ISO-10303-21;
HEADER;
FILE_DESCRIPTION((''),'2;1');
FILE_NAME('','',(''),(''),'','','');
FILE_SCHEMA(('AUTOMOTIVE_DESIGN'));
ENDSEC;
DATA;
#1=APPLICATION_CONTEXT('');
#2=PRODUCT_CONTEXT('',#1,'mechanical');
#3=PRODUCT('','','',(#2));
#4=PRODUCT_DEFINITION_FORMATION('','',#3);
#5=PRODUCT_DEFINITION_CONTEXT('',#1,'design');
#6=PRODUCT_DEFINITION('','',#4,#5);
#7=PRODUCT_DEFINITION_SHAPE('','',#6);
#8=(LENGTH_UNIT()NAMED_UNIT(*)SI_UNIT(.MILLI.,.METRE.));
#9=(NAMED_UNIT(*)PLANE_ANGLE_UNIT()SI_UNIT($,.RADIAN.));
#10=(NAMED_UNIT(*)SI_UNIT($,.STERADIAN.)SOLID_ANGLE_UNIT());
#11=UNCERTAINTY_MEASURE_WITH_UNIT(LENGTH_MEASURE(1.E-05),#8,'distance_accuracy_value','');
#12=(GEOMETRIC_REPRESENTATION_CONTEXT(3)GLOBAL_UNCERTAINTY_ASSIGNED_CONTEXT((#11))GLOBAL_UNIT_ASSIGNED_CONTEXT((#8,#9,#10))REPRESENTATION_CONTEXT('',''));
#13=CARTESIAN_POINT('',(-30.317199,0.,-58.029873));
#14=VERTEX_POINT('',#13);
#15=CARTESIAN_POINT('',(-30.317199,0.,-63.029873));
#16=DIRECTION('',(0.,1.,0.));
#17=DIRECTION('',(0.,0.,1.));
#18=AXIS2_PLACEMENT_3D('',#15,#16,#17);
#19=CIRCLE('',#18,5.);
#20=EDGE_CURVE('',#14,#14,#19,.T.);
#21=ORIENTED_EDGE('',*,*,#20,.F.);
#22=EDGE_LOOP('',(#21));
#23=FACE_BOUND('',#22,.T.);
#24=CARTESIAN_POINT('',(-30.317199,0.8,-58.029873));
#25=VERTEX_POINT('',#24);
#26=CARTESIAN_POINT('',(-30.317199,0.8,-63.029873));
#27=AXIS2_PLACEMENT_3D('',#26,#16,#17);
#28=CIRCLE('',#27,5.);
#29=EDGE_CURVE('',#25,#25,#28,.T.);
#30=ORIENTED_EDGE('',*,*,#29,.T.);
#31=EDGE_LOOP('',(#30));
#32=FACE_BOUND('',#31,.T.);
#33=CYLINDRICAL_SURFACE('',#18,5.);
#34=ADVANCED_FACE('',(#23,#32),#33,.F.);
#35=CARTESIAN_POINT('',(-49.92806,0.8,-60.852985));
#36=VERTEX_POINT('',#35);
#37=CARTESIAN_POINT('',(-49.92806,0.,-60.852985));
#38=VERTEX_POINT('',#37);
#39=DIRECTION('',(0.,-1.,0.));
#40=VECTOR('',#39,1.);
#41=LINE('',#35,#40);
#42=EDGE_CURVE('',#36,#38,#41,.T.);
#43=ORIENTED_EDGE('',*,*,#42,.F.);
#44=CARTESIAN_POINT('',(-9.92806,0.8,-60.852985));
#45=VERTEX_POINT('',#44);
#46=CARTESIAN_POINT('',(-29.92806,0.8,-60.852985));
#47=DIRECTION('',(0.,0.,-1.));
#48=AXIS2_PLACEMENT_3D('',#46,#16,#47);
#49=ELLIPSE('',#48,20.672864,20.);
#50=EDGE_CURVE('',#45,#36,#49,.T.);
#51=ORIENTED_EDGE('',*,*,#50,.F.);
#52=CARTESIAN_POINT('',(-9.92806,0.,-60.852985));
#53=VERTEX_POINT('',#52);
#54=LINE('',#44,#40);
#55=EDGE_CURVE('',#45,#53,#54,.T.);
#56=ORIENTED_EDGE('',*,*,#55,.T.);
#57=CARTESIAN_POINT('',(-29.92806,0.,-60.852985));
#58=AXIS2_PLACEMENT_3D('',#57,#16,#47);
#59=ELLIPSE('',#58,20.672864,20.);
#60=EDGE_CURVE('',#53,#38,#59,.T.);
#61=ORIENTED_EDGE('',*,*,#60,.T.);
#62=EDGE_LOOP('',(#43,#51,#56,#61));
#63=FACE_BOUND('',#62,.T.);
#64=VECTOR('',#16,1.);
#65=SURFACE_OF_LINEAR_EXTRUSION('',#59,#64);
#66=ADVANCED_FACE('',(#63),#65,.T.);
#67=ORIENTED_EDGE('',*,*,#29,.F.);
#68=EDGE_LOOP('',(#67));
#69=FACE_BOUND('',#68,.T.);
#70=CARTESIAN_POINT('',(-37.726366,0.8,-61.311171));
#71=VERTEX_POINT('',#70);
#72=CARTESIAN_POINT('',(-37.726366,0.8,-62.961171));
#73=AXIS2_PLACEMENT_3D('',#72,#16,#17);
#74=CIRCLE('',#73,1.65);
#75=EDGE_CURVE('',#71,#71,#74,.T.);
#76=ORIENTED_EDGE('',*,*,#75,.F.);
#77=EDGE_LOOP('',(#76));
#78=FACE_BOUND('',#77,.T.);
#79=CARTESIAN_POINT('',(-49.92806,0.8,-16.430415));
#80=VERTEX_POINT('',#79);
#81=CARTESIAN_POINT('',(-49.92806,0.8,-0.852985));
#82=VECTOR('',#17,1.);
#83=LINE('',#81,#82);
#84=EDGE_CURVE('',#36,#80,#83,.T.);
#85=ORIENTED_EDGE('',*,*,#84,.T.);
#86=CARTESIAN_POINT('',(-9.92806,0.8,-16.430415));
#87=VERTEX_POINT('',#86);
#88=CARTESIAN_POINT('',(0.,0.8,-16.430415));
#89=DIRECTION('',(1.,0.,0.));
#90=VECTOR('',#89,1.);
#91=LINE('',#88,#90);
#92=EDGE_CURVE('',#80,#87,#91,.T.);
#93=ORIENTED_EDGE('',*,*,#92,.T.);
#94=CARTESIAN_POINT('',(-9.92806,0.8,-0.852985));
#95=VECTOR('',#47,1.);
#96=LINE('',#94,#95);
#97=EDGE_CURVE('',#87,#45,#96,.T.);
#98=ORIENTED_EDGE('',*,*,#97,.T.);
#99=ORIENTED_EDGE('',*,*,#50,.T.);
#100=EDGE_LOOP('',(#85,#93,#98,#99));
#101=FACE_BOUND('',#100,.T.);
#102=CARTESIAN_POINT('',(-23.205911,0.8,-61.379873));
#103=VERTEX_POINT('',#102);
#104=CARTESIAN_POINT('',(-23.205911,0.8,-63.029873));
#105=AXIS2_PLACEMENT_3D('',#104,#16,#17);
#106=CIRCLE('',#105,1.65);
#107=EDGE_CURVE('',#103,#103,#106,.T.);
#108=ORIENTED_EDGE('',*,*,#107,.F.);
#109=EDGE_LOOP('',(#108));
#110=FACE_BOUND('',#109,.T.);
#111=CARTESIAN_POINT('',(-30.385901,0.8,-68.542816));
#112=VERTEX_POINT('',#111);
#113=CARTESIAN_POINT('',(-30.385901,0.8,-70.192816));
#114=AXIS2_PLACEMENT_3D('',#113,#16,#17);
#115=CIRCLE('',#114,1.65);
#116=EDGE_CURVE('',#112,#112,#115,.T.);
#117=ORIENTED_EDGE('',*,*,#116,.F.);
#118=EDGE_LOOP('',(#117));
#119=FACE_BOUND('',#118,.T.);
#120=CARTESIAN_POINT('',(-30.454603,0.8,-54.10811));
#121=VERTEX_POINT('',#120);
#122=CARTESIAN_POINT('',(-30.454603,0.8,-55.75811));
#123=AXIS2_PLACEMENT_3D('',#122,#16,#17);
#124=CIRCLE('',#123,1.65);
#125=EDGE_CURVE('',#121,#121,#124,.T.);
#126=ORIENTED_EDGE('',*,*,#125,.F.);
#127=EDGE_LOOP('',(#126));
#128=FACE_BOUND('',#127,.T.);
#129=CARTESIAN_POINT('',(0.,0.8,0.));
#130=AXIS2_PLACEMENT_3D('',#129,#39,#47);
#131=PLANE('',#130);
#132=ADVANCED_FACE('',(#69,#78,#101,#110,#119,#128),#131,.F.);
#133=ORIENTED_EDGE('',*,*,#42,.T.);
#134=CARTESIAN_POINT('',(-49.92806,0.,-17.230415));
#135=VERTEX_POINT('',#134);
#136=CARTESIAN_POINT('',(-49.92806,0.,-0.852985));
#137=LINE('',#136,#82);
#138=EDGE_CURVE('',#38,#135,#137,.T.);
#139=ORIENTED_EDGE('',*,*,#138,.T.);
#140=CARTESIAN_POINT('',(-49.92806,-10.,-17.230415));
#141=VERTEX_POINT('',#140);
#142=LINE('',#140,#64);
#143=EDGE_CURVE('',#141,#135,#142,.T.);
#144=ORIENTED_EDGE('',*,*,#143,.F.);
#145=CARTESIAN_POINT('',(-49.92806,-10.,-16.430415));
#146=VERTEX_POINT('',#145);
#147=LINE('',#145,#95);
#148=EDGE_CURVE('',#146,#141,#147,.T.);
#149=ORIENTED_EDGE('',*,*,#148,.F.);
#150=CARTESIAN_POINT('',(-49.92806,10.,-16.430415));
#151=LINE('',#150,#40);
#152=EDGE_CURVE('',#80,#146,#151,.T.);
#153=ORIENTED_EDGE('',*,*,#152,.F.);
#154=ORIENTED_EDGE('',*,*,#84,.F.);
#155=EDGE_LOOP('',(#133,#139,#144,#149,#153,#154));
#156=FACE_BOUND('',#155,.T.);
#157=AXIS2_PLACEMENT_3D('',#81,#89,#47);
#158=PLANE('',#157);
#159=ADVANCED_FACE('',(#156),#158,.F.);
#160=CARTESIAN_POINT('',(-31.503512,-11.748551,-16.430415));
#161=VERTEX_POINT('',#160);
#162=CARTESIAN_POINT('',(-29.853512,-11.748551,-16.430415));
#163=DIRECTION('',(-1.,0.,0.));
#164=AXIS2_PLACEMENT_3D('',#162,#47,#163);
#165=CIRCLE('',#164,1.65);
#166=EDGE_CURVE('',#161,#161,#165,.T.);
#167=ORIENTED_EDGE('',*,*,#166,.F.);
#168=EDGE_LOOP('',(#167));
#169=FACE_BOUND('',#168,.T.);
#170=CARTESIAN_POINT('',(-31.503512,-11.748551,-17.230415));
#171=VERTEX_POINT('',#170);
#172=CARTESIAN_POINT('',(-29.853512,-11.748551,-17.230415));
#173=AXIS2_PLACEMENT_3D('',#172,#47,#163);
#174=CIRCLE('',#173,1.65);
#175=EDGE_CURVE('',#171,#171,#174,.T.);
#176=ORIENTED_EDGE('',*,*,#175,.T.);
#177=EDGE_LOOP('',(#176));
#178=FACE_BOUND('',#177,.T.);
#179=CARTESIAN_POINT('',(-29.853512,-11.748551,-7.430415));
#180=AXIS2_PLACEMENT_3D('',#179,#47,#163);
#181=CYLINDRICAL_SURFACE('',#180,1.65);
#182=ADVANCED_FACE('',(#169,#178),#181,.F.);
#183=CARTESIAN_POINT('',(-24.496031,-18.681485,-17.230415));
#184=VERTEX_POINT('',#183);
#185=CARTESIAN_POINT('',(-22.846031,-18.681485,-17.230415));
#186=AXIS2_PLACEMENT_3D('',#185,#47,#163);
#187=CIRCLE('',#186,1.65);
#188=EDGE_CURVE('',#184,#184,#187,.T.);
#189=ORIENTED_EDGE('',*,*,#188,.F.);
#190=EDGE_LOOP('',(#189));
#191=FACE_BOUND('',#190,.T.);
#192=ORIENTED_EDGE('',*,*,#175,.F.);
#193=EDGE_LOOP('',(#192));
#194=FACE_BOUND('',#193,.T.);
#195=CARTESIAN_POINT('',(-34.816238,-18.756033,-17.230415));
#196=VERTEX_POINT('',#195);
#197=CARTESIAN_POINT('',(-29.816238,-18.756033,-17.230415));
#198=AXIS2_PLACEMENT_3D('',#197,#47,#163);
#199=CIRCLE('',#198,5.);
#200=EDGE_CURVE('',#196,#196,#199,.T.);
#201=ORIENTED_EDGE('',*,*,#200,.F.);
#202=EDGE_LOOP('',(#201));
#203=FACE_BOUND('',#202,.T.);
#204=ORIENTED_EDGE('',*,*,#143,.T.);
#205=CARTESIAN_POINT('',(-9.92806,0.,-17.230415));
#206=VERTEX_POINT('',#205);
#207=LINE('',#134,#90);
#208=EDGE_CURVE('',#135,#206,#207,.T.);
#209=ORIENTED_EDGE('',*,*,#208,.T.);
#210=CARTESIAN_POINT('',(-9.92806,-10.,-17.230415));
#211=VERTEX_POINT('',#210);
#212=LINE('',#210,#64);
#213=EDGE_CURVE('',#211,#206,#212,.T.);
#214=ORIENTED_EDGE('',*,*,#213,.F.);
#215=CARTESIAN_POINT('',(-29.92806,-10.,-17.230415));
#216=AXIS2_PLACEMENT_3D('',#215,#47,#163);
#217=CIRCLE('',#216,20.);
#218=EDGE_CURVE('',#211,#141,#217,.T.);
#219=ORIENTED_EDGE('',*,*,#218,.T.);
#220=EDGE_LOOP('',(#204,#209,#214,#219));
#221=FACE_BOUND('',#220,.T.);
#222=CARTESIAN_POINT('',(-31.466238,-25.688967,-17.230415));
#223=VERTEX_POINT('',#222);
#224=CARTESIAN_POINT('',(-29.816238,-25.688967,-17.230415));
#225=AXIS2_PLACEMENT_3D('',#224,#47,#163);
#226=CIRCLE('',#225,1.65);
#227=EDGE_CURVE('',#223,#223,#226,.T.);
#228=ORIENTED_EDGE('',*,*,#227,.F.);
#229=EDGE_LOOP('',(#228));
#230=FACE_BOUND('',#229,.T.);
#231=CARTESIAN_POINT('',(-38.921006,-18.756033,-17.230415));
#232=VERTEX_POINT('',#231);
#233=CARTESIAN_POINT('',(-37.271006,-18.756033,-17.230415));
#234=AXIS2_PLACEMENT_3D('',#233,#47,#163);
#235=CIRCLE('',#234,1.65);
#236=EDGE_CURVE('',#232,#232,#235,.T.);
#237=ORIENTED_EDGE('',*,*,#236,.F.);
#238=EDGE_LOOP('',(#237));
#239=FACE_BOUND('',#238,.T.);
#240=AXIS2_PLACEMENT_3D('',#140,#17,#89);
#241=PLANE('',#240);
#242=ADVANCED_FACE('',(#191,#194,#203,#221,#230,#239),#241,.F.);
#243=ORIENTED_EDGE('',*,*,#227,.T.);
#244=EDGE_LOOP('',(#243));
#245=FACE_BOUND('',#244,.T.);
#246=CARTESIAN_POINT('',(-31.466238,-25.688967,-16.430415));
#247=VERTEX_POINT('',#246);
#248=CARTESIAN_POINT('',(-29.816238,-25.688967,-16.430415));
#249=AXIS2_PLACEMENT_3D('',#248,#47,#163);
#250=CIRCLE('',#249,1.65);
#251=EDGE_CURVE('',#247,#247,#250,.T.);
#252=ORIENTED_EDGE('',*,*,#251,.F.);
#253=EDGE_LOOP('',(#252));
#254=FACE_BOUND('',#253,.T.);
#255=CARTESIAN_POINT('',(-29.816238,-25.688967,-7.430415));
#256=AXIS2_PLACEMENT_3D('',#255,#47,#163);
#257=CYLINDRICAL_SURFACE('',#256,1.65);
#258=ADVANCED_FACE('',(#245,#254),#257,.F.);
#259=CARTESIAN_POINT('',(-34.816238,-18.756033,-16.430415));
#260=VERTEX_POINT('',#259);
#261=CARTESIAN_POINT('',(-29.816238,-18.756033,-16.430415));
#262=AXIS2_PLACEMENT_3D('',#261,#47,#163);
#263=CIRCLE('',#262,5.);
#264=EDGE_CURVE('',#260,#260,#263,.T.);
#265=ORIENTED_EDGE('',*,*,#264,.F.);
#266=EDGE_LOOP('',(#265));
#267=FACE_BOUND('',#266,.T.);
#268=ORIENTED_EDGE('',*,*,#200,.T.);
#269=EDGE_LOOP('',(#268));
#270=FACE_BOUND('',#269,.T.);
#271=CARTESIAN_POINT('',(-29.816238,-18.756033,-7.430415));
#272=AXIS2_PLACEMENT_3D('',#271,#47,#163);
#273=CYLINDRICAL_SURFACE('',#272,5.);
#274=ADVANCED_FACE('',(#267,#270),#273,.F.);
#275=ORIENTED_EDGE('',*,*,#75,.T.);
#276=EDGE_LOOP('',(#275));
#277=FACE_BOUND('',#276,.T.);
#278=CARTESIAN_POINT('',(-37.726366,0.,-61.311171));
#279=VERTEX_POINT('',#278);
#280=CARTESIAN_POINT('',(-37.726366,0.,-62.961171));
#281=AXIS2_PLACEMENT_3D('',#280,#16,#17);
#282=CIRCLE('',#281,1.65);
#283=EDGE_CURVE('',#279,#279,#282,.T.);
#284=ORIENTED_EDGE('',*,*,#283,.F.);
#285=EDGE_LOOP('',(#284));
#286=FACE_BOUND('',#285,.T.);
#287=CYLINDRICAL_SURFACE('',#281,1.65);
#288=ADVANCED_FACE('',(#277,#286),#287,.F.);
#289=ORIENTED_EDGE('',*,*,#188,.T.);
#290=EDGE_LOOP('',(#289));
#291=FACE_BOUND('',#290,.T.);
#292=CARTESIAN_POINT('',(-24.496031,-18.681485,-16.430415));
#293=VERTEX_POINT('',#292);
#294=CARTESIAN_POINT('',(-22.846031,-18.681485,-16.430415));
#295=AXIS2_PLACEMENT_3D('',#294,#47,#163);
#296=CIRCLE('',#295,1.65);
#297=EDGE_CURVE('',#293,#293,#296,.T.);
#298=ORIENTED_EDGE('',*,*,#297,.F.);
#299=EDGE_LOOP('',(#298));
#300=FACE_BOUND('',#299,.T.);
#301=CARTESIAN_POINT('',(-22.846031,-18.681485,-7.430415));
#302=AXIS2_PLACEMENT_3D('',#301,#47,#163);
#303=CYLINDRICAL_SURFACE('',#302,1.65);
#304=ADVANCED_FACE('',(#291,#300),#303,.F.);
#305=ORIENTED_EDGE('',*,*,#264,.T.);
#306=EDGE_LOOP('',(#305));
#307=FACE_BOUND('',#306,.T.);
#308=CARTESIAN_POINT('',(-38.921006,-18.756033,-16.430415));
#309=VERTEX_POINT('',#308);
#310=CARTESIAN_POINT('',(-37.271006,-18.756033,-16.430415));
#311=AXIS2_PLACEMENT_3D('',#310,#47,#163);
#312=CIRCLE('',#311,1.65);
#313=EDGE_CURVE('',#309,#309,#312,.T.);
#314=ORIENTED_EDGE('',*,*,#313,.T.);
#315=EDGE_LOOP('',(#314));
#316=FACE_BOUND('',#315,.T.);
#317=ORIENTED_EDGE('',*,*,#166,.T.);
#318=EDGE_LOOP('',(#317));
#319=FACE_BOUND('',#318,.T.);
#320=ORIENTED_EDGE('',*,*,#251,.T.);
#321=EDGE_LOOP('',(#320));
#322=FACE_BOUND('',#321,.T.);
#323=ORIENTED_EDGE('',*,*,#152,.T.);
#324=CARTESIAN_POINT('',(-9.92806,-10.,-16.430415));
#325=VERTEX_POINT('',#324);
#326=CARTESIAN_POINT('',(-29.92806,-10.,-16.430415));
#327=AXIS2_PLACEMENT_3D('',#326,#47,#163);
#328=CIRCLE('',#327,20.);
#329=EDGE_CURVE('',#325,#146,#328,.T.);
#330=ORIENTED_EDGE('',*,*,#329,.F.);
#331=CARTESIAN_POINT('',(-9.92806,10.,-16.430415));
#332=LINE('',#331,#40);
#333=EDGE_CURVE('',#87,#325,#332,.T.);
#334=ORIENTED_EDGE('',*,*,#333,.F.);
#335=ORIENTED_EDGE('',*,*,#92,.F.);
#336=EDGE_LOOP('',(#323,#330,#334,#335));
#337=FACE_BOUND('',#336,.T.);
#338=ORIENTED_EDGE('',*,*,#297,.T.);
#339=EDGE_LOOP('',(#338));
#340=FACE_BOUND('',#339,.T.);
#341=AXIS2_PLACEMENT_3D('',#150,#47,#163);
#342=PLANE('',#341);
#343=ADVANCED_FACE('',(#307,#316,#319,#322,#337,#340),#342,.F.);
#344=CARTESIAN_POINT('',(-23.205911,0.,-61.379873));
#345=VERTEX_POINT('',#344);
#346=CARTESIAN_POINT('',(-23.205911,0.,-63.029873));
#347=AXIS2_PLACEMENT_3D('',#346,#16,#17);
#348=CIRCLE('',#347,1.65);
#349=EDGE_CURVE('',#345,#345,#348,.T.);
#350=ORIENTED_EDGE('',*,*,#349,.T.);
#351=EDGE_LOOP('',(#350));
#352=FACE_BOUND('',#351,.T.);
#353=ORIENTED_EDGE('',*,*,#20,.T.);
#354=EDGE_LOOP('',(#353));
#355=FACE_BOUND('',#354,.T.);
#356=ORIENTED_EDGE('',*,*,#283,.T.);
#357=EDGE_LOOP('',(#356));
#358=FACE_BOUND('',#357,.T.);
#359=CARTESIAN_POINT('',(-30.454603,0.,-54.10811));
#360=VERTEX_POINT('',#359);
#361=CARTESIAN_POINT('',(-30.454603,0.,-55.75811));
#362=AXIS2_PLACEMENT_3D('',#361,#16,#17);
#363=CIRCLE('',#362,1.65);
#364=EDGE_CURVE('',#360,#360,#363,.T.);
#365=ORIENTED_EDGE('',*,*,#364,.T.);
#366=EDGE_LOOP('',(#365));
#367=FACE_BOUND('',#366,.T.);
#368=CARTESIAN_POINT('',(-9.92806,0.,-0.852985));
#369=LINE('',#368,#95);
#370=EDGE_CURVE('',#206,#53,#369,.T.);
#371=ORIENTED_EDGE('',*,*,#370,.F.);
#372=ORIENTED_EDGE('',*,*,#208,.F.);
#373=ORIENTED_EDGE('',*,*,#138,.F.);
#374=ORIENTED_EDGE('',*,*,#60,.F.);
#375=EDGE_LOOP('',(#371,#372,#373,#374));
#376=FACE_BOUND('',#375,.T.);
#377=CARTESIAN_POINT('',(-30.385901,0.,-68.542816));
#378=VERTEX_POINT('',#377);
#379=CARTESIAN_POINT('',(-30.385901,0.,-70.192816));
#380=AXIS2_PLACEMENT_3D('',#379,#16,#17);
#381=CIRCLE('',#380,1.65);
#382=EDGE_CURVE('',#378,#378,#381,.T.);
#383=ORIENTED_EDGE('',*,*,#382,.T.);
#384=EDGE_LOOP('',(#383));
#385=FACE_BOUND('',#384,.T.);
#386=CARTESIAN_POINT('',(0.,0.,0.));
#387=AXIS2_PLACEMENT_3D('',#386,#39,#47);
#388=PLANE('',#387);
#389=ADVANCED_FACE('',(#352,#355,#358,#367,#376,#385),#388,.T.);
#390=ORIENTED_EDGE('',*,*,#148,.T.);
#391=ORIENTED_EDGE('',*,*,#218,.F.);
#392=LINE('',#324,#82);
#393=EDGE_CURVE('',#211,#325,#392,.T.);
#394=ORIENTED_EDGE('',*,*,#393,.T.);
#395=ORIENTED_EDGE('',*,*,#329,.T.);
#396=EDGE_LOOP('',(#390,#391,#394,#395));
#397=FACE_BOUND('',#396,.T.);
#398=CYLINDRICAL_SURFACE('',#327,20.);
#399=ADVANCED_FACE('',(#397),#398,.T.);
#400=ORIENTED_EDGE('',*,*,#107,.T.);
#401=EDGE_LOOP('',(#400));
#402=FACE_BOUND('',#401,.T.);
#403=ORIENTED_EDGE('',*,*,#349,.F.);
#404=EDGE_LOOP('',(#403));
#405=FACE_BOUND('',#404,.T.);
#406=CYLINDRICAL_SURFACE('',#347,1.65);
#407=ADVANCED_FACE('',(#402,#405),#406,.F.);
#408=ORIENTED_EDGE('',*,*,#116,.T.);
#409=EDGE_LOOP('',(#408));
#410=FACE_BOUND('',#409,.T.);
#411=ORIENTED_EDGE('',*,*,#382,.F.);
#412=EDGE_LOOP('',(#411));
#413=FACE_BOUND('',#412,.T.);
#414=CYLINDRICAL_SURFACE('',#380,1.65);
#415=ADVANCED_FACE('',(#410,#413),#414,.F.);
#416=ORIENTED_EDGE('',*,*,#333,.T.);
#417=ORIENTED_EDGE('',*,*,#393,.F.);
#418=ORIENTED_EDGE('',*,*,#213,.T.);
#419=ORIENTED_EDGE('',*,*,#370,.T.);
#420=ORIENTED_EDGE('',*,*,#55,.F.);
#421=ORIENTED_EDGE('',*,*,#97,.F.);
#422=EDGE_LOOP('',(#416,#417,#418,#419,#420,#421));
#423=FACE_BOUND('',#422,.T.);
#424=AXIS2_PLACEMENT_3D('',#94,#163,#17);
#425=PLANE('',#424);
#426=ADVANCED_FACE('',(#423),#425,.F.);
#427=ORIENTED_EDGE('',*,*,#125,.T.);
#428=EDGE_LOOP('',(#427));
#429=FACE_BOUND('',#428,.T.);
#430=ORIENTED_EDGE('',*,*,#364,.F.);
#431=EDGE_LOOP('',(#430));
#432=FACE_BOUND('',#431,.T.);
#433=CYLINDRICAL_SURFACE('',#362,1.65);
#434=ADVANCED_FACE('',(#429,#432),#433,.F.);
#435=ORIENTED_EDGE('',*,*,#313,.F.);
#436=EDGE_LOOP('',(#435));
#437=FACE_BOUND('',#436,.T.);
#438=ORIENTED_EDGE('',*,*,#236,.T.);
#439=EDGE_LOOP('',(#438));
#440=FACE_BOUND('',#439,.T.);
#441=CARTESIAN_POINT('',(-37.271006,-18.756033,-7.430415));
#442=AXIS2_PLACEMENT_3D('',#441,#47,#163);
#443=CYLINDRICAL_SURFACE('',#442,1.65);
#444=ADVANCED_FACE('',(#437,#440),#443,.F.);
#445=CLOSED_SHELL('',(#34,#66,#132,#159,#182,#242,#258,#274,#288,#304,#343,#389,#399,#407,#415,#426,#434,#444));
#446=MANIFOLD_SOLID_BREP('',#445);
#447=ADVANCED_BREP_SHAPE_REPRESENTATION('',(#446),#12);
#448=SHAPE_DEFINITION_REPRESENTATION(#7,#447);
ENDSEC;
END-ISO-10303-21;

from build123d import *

# Parameters (mm, degrees)
SKETCH1_W           = 40
SKETCH1_H           = 60
BOSS_EXTRUDE1_DEPTH = 0.8
SKETCH2_RX          = 20.672864439
SKETCH2_RY          = 20
BOSS_EXTRUDE2_DEPTH = 0.8
SKETCH5_R           = 5
SKETCH5_R_2         = 1.65
CUT_EXTRUDE3_DEPTH  = 0.8
SKETCH6_W           = 40
SKETCH6_H           = 15.577429974
CUT_EXTRUDE4_DEPTH  = 10
SKETCH7_W           = 40
SKETCH7_H           = 0.8
BOSS_EXTRUDE3_DEPTH = 10
SKETCH8_R           = 20
BOSS_EXTRUDE4_DEPTH = 0.8
SKETCH9_W           = 37.719804767
SKETCH9_H           = 12.136565496
CUT_EXTRUDE5_DEPTH  = 0.8
SKETCH10_R          = 5
SKETCH10_R_2        = 1.65
CUT_EXTRUDE8_DEPTH  = 9.8


with BuildPart() as part:
    # Sketch1 → Boss-Extrude1 (new body)
    with BuildSketch(Plane(origin=(0, 0, 0), x_dir=(1, 0, 0), z_dir=(0, 1, 0))):
        with Locations((-29.928059701, 30.852985075)):
            Rectangle(SKETCH1_W, SKETCH1_H)
    extrude(amount=BOSS_EXTRUDE1_DEPTH)

    # Sketch2 → Boss-Extrude2 (add)
    with BuildSketch(Plane(origin=(0, 0.8, 0), x_dir=(1, 0, 0), z_dir=(0, 1, 0))):
        with Locations(Location((-29.928059701, 60.852985075), (0, 0, 90))):
            Ellipse(SKETCH2_RX, SKETCH2_RY)
    extrude(amount=-BOSS_EXTRUDE2_DEPTH)

    # Sketch5 → Cut-Extrude3 (cut)
    with BuildSketch(Plane(origin=(0, 0.8, 0), x_dir=(1, 0, 0), z_dir=(0, 1, 0))):
        with Locations(Location((-30.317199226, 63.029873106, 0), (0, 0, 270))):
            Circle(SKETCH5_R)
        with Locations(Location((-30.385900954, 70.192815662, 0), (0, 0, 270))):
            Circle(SKETCH5_R_2)
        with Locations(Location((-23.205910665, 63.029873106, 0), (0, 0, 270))):
            Circle(SKETCH5_R_2)
        with Locations(Location((-37.726365539, 62.961171378, 0), (0, 0, 270))):
            Circle(SKETCH5_R_2)
        with Locations(Location((-30.454602681, 55.758110249, 0), (0, 0, 270))):
            Circle(SKETCH5_R_2)
    extrude(amount=-CUT_EXTRUDE3_DEPTH, mode=Mode.SUBTRACT)

    # Sketch6 → Cut-Extrude4 (cut)
    with BuildSketch(Plane(origin=(0, 0, 0), x_dir=(-1, 0, 0), z_dir=(0, -1, 0))):
        with Locations((29.928059701, 8.641700062)):
            Rectangle(SKETCH6_W, SKETCH6_H)
    extrude(amount=-CUT_EXTRUDE4_DEPTH, mode=Mode.SUBTRACT)

    # Sketch7 → Boss-Extrude3 (add)
    with BuildSketch(Plane(origin=(0, 0, 0), x_dir=(-1, 0, 0), z_dir=(0, -1, 0))):
        with Locations((29.928059701, 16.830415049)):
            Rectangle(SKETCH7_W, SKETCH7_H)
    extrude(amount=BOSS_EXTRUDE3_DEPTH)

    # Sketch8 → Boss-Extrude4 (add)
    with BuildSketch(Plane(origin=(0, 0, -17.230415049), x_dir=(-1, 0, 0), z_dir=(0, 0, -1))):
        with Locations((29.928059701, -10)):
            Circle(SKETCH8_R)
    extrude(amount=-BOSS_EXTRUDE4_DEPTH)

    # Sketch9 → Cut-Extrude5 (cut)
    with BuildSketch(Plane(origin=(0, 0, -17.230415049), x_dir=(-1, 0, 0), z_dir=(0, 0, -1))):
        with Locations((31.954661755, 6.868282748)):
            Rectangle(SKETCH9_W, SKETCH9_H)
    extrude(amount=-CUT_EXTRUDE5_DEPTH, mode=Mode.SUBTRACT)

    # Sketch10 → Cut-Extrude8 (cut)
    with BuildSketch(Plane(origin=(0, 0, -17.230415049), x_dir=(-1, 0, 0), z_dir=(0, 0, -1))):
        with Locations((29.816238189, -18.756032874)):
            Circle(SKETCH10_R)
        with Locations((29.853512027, -11.748551436)):
            Circle(SKETCH10_R_2)
        with Locations((37.271005677, -18.756032874)):
            Circle(SKETCH10_R_2)
        with Locations((29.816238189, -25.688966638)):
            Circle(SKETCH10_R_2)
        with Locations((22.846030588, -18.681485199)):
            Circle(SKETCH10_R_2)
    extrude(amount=-CUT_EXTRUDE8_DEPTH, mode=Mode.SUBTRACT)


solid = part.part
